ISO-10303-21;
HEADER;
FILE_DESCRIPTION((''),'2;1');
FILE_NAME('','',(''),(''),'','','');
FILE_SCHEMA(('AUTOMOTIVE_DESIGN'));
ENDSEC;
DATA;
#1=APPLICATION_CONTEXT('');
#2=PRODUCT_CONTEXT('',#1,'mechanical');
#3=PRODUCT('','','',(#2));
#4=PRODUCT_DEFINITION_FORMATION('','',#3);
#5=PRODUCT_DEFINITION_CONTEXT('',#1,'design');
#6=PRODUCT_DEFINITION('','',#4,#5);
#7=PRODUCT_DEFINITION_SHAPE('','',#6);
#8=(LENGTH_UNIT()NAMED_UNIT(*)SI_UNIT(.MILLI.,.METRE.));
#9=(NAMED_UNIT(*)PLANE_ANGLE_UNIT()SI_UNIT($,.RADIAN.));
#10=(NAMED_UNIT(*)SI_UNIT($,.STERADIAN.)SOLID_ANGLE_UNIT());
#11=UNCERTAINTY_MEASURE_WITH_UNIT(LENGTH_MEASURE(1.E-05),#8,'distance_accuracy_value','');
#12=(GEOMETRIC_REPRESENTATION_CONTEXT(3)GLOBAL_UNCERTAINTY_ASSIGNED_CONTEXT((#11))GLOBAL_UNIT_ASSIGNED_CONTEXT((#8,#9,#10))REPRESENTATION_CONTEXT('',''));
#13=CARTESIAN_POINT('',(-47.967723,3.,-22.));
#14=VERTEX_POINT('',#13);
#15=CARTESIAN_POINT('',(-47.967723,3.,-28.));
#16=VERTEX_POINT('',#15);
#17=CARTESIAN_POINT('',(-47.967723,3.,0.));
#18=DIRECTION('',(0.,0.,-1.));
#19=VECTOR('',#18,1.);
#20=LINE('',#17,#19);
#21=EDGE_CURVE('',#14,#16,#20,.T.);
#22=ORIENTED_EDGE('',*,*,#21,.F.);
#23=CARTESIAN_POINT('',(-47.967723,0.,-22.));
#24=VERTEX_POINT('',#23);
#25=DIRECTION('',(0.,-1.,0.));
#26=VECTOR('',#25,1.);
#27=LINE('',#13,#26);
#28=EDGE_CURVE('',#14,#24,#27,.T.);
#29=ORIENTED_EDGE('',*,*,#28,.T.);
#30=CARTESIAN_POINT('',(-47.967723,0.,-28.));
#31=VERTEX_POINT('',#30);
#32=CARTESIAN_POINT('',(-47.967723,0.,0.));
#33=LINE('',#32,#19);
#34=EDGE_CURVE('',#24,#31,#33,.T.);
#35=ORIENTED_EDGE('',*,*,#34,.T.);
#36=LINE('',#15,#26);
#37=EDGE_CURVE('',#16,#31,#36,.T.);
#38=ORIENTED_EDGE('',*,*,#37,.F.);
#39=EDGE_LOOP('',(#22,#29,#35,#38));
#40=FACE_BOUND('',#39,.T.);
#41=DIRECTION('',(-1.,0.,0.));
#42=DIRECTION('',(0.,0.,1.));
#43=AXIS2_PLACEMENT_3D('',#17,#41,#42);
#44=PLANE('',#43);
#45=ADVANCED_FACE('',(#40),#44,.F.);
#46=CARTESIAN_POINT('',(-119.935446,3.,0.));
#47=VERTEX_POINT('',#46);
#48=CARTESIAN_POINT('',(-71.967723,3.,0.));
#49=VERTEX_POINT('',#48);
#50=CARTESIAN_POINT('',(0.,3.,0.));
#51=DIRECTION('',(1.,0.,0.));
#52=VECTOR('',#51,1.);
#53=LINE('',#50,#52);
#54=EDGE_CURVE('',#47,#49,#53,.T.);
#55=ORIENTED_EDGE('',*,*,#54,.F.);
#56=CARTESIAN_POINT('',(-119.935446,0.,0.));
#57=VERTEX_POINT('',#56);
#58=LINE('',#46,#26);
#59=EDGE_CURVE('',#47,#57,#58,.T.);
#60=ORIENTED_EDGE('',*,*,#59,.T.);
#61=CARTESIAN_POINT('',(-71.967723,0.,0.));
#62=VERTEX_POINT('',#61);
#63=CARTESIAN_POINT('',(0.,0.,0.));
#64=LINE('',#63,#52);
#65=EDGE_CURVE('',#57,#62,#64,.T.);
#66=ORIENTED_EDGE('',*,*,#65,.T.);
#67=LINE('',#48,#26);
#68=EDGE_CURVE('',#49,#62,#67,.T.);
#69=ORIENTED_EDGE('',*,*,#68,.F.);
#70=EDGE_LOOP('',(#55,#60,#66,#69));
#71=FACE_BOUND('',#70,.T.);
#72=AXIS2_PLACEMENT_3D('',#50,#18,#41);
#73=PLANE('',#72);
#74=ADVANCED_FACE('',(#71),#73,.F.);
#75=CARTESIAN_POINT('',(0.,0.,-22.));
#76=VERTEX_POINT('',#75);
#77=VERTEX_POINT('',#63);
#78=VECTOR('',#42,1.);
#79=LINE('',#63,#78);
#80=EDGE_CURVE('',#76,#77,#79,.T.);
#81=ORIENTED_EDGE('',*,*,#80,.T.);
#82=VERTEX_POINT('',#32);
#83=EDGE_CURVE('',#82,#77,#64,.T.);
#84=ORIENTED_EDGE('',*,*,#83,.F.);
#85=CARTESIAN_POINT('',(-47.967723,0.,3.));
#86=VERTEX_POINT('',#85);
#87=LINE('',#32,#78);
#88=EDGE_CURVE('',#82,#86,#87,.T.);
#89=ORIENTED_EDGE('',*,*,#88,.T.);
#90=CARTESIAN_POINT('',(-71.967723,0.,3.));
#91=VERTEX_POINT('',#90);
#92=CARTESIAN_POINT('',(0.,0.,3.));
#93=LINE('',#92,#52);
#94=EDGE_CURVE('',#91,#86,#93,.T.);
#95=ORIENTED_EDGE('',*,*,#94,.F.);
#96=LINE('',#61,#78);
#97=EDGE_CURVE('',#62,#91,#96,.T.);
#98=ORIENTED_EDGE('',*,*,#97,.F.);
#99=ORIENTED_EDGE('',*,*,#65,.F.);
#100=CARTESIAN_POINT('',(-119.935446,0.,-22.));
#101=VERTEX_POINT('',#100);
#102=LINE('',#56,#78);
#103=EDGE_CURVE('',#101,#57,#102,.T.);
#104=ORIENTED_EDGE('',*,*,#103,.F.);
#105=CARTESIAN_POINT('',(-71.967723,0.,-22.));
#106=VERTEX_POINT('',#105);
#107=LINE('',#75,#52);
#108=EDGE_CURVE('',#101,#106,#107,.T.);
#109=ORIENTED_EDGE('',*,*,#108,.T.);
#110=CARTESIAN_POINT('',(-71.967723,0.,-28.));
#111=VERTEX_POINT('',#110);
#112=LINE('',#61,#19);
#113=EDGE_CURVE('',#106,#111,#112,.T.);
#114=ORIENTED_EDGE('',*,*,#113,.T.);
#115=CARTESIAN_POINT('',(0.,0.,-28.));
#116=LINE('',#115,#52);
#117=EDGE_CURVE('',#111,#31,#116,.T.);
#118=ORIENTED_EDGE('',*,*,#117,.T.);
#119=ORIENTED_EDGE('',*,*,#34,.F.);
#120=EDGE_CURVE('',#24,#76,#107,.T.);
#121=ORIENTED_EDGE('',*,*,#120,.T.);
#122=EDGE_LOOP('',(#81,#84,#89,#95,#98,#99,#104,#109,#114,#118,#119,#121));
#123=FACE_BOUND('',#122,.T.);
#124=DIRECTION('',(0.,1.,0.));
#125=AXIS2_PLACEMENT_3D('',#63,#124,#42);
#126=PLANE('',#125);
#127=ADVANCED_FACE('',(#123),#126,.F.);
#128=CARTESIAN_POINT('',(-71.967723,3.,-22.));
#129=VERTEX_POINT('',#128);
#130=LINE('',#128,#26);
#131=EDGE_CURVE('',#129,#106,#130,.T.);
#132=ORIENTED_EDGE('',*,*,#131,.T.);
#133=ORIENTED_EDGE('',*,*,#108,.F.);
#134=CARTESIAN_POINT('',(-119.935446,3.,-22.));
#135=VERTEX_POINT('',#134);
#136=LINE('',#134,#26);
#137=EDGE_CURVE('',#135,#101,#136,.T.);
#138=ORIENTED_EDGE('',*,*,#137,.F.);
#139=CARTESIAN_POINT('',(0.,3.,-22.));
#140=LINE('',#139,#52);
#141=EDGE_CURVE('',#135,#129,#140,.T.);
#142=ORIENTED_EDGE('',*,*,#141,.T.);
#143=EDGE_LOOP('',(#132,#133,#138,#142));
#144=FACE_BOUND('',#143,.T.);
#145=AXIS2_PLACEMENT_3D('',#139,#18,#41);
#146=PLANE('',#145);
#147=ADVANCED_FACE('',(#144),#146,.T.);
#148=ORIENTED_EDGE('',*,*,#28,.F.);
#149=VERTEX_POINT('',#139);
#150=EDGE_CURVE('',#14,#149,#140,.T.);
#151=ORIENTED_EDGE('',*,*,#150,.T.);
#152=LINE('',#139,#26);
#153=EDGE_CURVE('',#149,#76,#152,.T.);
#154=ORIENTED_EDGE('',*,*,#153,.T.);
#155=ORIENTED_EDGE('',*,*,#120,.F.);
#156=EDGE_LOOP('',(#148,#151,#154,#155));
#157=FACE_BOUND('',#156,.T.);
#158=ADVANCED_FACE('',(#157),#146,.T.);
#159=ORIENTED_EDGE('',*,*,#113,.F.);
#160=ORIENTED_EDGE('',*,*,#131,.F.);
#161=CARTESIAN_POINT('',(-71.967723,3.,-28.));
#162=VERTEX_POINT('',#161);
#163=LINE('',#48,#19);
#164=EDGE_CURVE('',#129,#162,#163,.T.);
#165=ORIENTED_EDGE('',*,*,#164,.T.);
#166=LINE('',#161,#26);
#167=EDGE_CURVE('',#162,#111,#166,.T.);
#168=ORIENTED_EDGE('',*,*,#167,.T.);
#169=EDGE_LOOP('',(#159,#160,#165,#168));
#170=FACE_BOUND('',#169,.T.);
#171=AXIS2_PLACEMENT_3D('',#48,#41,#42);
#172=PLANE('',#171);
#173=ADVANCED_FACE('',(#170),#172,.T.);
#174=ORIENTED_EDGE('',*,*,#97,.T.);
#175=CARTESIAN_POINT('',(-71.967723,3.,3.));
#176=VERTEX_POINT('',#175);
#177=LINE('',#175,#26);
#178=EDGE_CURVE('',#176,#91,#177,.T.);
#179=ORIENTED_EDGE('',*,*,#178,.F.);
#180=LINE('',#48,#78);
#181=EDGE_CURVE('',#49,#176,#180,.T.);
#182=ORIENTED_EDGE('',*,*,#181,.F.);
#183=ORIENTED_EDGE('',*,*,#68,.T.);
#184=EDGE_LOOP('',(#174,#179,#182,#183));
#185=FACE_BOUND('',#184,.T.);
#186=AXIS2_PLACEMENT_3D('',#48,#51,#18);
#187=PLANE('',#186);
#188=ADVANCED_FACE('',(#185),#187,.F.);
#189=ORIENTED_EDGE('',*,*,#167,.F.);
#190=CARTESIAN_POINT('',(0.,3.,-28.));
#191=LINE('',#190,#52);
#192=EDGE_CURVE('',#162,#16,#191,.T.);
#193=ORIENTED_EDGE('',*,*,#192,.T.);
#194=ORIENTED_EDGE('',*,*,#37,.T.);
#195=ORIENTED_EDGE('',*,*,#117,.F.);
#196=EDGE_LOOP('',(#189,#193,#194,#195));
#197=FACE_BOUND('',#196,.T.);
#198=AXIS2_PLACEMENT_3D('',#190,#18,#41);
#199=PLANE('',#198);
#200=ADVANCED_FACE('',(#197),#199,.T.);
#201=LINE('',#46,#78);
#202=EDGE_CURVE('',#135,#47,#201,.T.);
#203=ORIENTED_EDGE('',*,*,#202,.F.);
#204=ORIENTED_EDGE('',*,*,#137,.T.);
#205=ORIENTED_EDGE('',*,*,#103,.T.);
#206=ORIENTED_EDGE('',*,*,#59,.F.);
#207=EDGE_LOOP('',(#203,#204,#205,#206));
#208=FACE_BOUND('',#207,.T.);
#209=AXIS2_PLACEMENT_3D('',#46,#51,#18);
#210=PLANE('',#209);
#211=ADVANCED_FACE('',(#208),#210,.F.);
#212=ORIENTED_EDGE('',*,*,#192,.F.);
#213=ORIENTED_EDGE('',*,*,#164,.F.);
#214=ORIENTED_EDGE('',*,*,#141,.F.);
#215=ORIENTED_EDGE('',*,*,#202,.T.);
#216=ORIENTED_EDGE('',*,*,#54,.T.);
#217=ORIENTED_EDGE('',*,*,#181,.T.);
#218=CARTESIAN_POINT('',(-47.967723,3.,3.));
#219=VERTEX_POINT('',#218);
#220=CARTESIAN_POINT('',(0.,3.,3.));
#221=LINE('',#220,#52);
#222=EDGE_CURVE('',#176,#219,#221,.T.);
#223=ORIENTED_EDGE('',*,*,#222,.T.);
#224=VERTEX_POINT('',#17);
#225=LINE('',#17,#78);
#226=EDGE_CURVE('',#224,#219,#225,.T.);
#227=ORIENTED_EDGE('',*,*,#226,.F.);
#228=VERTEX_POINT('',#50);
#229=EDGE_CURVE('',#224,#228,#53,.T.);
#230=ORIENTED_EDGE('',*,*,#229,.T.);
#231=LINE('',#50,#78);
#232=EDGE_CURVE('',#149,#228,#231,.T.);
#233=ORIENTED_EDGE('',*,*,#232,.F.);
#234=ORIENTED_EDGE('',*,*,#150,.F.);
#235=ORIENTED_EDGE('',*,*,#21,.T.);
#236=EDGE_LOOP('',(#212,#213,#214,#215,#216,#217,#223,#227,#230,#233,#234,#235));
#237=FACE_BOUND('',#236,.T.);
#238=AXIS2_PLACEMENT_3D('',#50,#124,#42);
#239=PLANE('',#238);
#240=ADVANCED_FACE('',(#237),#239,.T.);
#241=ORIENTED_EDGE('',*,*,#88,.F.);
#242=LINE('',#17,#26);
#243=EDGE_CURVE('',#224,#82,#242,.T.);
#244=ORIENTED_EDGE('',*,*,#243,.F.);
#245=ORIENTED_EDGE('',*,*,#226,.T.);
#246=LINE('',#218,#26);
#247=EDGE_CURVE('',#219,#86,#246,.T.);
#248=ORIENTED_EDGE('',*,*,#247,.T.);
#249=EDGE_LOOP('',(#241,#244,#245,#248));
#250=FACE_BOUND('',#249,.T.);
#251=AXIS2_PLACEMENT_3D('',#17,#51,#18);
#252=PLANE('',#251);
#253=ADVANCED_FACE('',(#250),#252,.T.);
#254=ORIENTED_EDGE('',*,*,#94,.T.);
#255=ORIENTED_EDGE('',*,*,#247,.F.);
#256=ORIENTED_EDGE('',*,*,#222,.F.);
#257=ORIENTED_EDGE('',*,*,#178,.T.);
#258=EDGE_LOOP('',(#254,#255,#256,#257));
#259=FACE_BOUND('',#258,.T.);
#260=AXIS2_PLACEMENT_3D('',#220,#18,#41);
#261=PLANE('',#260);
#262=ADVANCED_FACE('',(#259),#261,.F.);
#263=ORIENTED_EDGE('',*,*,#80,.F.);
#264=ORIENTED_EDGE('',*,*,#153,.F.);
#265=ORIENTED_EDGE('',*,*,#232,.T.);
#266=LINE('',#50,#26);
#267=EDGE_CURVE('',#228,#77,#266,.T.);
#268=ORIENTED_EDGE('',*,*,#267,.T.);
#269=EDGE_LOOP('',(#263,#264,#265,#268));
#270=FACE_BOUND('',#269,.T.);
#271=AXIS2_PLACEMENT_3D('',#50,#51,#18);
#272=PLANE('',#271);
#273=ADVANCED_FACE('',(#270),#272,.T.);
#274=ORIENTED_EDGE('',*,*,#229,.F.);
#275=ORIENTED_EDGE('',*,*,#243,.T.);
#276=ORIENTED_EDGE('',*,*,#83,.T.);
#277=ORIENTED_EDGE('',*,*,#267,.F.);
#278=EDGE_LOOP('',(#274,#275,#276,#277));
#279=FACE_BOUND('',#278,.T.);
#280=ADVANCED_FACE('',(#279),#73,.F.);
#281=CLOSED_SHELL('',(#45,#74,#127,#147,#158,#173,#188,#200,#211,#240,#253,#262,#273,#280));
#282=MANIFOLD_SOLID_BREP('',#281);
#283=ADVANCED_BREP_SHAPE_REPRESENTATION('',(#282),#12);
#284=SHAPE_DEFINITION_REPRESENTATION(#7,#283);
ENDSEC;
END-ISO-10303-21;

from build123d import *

# Parameters (mm, degrees)
SKETCH1_W           = 24
SKETCH1_H           = 3
SKETCH1_W_2         = 119.935446049
SKETCH1_H_2         = 22
SKETCH1_H_3         = 6
BOSS_EXTRUDE1_DEPTH = 3


with BuildPart() as part:
    # Sketch1 → Boss-Extrude1 (new body)
    with BuildSketch(Plane(origin=(0, 0, 0), x_dir=(1, 0, 0), z_dir=(0, 1, 0))):
        with Locations((-59.967723024, -1.5)):
            Rectangle(SKETCH1_W, SKETCH1_H)
        with Locations((-59.967723025, 11)):
            Rectangle(SKETCH1_W_2, SKETCH1_H_2)
        with Locations((-59.967723024, 25)):
            Rectangle(SKETCH1_W, SKETCH1_H_3)
    extrude(amount=BOSS_EXTRUDE1_DEPTH)


solid = part.part
